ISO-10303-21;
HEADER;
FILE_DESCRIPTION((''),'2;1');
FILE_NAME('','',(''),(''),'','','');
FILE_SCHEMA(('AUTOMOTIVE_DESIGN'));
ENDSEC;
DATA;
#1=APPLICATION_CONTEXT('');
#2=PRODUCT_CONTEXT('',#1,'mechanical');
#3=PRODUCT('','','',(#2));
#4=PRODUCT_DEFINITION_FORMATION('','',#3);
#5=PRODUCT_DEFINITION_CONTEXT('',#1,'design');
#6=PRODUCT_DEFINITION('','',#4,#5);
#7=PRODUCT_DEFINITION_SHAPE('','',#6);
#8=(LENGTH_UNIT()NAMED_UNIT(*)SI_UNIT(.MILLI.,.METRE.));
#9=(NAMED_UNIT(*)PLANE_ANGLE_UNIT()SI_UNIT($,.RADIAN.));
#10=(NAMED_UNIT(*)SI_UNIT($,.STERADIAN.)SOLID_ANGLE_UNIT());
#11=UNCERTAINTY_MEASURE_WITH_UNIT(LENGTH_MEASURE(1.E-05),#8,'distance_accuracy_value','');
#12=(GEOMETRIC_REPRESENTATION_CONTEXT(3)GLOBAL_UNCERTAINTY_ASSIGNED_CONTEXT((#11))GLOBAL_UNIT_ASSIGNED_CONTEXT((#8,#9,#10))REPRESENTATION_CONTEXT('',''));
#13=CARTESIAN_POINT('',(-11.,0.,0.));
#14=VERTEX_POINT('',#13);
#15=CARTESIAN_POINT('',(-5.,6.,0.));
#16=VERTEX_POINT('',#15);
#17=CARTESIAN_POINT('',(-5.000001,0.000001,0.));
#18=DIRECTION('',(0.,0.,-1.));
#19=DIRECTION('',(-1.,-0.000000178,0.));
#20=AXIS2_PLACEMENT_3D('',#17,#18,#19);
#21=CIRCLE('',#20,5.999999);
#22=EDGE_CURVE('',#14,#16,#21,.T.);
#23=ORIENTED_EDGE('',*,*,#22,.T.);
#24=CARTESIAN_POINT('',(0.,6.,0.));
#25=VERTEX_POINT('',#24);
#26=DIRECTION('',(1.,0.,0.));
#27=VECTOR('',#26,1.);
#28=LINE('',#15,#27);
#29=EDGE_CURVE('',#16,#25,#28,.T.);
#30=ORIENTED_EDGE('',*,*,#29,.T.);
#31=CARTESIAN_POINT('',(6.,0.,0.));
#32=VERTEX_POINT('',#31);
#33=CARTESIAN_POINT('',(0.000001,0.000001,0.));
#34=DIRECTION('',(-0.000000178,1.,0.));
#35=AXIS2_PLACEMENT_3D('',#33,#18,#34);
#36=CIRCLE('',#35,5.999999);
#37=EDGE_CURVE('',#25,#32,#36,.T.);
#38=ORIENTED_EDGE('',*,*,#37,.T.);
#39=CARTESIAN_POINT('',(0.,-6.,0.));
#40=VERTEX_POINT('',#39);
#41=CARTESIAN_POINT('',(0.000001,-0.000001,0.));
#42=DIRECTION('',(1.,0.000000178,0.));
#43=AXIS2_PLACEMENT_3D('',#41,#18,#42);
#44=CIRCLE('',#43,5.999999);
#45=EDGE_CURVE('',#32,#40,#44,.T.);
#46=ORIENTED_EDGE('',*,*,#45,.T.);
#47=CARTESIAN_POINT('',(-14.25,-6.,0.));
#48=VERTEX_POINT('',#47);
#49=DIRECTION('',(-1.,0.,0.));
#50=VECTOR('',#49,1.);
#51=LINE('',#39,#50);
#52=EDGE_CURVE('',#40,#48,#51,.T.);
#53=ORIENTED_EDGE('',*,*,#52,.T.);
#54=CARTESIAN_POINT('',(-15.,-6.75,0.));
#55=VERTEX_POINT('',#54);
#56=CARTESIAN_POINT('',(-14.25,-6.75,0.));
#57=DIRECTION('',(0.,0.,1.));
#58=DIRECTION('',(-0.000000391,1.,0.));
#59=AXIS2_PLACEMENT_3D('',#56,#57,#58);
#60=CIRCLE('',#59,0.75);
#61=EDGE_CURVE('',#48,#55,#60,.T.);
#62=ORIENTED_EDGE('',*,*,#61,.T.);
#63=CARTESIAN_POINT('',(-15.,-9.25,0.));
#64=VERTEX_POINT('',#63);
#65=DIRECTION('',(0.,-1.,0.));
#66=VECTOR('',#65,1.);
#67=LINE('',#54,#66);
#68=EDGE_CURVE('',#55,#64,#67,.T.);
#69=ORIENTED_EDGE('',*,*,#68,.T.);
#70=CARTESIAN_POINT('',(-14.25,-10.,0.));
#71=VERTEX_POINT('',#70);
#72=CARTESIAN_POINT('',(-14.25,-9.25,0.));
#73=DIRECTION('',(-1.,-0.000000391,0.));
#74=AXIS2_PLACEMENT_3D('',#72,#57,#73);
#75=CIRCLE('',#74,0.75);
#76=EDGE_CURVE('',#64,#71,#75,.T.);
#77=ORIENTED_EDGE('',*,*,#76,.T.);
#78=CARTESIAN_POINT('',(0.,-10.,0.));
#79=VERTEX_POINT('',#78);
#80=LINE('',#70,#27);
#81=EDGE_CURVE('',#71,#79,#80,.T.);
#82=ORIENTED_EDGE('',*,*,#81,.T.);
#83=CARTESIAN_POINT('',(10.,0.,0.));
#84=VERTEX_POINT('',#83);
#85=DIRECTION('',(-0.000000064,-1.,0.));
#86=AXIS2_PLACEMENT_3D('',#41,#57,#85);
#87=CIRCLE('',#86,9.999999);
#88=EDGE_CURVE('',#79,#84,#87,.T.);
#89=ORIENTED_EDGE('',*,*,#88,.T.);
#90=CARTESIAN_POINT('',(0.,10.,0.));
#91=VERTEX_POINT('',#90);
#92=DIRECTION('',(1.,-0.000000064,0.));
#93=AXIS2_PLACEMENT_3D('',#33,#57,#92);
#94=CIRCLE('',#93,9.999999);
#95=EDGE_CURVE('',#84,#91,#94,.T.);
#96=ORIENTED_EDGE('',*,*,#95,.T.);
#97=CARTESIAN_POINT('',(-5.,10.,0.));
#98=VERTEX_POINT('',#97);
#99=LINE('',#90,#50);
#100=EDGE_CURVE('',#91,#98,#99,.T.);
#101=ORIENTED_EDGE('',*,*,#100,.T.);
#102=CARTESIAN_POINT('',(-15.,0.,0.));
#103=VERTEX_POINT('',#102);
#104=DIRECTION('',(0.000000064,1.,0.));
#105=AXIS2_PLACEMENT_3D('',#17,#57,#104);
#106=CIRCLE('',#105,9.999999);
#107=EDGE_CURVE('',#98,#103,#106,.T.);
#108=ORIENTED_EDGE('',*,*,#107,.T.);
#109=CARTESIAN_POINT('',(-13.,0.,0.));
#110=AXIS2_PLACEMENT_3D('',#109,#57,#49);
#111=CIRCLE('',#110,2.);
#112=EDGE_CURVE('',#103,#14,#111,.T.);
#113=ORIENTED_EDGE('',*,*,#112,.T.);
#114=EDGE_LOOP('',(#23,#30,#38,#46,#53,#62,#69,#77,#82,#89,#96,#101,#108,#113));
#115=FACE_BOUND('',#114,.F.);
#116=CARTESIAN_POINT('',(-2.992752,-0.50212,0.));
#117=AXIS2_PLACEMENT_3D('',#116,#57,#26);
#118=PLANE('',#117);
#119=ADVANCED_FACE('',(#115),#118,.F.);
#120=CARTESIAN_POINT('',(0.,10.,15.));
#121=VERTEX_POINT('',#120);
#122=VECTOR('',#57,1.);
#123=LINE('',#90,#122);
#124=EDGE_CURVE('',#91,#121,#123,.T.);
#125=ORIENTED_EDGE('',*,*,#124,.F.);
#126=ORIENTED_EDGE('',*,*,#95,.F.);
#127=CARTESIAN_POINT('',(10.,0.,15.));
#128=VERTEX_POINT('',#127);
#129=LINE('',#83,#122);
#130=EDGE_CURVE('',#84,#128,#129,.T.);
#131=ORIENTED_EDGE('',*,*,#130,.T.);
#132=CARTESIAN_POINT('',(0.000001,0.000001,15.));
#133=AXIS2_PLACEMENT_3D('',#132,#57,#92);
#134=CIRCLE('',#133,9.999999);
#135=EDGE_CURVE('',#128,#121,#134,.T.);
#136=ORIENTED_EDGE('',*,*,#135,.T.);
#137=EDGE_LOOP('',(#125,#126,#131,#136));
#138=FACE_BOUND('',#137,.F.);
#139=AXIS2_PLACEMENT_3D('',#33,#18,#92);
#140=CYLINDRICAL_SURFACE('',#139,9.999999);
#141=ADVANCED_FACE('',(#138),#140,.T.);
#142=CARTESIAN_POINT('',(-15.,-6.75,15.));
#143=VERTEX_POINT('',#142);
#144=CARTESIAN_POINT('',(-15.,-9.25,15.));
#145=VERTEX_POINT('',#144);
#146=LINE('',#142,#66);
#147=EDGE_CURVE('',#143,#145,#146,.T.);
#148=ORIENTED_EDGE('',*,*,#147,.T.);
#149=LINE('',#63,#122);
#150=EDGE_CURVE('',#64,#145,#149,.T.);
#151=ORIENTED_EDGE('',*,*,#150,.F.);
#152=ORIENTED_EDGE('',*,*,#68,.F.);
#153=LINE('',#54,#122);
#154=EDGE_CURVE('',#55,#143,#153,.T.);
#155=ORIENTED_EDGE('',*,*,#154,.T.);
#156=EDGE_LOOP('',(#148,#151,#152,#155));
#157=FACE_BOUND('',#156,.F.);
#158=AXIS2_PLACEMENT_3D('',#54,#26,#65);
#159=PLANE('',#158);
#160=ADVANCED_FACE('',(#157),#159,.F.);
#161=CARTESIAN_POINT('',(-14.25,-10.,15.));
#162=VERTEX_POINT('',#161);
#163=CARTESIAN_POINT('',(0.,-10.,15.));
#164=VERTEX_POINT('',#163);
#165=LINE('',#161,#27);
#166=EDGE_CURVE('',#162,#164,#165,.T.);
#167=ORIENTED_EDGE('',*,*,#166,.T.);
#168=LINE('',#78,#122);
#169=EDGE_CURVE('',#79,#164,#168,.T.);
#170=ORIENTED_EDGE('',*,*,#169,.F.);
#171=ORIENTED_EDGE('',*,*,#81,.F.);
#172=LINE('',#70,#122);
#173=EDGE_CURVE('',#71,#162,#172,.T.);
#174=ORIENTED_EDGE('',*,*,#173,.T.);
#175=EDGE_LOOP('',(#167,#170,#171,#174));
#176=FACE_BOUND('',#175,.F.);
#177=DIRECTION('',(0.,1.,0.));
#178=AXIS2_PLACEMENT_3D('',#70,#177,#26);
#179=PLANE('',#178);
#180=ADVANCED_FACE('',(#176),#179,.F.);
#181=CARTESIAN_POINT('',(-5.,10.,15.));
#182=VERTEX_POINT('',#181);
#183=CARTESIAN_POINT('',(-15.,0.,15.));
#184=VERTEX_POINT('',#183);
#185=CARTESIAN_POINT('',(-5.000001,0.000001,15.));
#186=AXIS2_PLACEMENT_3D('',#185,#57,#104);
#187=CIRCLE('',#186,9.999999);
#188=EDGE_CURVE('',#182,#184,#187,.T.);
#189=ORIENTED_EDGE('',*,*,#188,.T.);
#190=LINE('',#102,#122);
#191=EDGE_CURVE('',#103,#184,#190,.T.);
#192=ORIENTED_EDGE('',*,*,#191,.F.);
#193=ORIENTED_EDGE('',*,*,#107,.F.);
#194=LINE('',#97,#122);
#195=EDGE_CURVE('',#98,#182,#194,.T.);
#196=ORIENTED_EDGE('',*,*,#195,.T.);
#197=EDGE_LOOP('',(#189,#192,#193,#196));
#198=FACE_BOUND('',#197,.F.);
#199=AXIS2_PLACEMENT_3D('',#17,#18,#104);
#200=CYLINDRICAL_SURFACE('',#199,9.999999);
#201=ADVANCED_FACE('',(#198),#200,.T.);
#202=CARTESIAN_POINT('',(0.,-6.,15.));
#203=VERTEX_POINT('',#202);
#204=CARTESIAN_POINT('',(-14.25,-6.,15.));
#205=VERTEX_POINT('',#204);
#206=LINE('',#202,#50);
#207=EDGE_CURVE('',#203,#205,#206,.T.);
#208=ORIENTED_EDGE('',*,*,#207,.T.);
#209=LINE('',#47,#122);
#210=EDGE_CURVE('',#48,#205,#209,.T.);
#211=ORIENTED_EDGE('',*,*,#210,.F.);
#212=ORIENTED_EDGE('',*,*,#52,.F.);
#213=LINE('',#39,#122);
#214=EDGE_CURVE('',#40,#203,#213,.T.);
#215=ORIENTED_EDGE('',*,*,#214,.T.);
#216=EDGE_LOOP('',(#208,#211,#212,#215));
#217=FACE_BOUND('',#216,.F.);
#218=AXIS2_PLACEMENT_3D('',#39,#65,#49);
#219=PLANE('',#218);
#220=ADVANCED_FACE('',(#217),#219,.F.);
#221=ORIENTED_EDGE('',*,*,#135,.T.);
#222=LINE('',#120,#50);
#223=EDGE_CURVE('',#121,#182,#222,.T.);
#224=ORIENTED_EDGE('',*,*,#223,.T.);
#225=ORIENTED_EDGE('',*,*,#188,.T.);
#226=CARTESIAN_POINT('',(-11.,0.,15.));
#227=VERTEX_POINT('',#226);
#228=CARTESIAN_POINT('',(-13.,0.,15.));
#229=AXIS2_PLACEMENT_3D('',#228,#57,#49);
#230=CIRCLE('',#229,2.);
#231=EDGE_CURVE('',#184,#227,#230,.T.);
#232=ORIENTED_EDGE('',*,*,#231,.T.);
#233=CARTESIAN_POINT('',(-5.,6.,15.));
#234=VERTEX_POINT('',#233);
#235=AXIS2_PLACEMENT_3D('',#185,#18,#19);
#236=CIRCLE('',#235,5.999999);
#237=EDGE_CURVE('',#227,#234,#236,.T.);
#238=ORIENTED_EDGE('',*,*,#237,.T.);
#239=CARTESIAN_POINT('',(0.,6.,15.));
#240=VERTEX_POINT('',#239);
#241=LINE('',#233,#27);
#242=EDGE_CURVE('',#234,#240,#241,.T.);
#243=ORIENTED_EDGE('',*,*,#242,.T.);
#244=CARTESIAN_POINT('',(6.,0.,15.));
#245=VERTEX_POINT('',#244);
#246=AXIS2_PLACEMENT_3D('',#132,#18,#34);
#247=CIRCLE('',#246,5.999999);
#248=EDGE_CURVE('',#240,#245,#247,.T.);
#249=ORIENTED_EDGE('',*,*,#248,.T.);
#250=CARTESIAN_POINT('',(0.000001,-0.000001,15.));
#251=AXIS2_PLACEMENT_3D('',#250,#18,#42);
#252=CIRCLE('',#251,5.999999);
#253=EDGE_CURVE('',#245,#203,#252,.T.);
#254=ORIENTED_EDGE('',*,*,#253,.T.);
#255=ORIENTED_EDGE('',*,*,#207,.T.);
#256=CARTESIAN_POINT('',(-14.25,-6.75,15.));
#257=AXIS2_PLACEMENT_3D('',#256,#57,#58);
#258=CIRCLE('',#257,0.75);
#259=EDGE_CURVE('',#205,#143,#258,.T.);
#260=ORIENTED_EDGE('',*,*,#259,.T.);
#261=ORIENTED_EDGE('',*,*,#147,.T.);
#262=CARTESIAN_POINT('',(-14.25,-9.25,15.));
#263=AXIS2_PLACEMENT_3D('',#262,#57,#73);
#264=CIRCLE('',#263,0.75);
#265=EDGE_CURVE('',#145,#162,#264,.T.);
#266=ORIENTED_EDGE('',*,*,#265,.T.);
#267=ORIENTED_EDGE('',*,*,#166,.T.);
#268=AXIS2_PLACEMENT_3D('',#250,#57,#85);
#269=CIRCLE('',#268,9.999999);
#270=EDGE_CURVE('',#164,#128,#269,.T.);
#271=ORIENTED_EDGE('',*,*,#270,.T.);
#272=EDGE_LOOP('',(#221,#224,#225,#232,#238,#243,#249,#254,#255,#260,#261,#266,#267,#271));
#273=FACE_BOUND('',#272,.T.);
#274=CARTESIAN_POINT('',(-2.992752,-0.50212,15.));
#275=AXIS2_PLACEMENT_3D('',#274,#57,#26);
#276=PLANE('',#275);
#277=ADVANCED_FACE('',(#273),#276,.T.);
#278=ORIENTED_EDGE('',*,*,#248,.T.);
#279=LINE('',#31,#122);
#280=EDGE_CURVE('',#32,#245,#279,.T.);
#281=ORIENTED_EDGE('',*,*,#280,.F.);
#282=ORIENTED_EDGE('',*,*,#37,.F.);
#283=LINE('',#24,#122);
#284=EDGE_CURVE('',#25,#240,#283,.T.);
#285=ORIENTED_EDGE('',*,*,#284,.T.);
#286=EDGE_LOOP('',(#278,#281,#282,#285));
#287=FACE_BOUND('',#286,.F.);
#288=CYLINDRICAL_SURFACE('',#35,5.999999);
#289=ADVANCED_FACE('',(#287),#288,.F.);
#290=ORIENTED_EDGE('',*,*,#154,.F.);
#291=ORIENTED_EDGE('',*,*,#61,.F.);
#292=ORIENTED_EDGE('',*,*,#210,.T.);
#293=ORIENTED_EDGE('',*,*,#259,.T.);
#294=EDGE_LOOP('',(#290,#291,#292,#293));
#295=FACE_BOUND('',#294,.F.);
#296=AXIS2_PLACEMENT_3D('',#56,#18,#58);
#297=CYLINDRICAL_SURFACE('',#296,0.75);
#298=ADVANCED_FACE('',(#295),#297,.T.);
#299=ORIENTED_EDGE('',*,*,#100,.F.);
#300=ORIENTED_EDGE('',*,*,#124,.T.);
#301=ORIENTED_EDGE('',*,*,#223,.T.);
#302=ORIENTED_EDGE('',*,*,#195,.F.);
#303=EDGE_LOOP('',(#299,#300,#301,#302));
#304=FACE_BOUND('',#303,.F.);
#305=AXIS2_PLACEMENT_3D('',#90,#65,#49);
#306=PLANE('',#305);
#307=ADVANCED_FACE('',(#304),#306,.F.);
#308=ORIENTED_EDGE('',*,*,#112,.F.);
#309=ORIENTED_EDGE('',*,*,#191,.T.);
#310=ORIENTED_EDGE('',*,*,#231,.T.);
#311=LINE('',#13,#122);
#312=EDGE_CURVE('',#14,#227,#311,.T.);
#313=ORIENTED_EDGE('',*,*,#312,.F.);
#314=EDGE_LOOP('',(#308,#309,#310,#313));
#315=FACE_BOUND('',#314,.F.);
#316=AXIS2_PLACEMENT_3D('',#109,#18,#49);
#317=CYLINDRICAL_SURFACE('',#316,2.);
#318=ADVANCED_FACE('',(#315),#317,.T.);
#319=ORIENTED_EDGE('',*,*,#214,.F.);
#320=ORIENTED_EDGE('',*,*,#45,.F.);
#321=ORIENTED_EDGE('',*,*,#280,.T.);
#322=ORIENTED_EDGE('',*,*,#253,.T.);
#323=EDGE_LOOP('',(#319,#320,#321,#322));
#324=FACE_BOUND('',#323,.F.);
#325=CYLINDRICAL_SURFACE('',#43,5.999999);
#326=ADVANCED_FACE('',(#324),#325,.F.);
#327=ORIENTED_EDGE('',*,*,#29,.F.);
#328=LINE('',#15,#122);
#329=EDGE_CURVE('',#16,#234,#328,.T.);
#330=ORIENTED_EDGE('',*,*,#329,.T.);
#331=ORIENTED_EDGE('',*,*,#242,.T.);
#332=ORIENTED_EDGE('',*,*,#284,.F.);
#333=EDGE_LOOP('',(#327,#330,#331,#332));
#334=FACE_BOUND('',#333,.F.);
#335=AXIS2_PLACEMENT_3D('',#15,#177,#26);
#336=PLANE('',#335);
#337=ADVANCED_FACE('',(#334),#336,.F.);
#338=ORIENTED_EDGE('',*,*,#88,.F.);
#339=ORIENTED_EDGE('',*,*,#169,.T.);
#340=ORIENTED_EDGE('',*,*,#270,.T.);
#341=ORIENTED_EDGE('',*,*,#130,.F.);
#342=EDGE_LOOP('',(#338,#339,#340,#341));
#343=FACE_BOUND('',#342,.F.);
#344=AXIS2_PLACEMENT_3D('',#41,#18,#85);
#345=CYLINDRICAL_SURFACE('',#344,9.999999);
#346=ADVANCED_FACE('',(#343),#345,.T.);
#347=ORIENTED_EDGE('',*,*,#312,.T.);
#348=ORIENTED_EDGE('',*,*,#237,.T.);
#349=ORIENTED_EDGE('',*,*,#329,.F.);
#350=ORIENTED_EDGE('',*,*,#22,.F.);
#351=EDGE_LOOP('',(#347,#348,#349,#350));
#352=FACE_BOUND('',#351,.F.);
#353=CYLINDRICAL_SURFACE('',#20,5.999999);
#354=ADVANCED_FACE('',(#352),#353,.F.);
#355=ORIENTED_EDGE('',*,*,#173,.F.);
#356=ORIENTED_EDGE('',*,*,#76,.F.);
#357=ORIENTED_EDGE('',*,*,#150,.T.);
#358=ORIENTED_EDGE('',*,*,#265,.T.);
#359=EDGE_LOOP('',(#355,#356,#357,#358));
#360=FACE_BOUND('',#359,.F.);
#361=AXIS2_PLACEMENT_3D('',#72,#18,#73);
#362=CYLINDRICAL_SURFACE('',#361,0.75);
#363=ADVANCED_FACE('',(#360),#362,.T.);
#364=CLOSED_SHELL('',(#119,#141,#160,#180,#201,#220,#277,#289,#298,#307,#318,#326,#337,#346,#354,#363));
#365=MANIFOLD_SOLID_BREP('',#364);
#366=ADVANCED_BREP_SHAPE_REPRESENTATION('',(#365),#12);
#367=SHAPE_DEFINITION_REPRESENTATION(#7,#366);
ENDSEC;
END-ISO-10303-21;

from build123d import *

# Parameters (mm, degrees)
F1_DEPTH = 15


with BuildPart() as f1:
    # F0 (on Top) → F1 (new body)
    with BuildSketch(Plane.XY):
        with BuildLine():
            ThreePointArc((6, 0), (4.242641, -4.242641), (0, -6))
            Line((0, -6), (-14.25, -6))
            ThreePointArc((-14.25, -6), (-14.78033, -6.21967), (-15, -6.75))
            Line((-15, -6.75), (-15, -9.25))
            ThreePointArc((-15, -9.25), (-14.78033, -9.78033), (-14.25, -10))
            Line((-14.25, -10), (0, -10))
            ThreePointArc((0, -10), (7.071068, -7.071068), (10, 0))
            ThreePointArc((10, 0), (7.071068, 7.071068), (0, 10))
            Line((0, 10), (-5, 10))
            ThreePointArc((-5, 10), (-12.071068, 7.071068), (-15, 0))
            ThreePointArc((-15, 0), (-13, -2), (-11, 0))
            ThreePointArc((-11, 0), (-9.242641, 4.242641), (-5, 6))
            Line((-5, 6), (0, 6))
            ThreePointArc((0, 6), (4.242641, 4.242641), (6, 0))
        make_face()
    extrude(amount=F1_DEPTH)


solid = f1.part
